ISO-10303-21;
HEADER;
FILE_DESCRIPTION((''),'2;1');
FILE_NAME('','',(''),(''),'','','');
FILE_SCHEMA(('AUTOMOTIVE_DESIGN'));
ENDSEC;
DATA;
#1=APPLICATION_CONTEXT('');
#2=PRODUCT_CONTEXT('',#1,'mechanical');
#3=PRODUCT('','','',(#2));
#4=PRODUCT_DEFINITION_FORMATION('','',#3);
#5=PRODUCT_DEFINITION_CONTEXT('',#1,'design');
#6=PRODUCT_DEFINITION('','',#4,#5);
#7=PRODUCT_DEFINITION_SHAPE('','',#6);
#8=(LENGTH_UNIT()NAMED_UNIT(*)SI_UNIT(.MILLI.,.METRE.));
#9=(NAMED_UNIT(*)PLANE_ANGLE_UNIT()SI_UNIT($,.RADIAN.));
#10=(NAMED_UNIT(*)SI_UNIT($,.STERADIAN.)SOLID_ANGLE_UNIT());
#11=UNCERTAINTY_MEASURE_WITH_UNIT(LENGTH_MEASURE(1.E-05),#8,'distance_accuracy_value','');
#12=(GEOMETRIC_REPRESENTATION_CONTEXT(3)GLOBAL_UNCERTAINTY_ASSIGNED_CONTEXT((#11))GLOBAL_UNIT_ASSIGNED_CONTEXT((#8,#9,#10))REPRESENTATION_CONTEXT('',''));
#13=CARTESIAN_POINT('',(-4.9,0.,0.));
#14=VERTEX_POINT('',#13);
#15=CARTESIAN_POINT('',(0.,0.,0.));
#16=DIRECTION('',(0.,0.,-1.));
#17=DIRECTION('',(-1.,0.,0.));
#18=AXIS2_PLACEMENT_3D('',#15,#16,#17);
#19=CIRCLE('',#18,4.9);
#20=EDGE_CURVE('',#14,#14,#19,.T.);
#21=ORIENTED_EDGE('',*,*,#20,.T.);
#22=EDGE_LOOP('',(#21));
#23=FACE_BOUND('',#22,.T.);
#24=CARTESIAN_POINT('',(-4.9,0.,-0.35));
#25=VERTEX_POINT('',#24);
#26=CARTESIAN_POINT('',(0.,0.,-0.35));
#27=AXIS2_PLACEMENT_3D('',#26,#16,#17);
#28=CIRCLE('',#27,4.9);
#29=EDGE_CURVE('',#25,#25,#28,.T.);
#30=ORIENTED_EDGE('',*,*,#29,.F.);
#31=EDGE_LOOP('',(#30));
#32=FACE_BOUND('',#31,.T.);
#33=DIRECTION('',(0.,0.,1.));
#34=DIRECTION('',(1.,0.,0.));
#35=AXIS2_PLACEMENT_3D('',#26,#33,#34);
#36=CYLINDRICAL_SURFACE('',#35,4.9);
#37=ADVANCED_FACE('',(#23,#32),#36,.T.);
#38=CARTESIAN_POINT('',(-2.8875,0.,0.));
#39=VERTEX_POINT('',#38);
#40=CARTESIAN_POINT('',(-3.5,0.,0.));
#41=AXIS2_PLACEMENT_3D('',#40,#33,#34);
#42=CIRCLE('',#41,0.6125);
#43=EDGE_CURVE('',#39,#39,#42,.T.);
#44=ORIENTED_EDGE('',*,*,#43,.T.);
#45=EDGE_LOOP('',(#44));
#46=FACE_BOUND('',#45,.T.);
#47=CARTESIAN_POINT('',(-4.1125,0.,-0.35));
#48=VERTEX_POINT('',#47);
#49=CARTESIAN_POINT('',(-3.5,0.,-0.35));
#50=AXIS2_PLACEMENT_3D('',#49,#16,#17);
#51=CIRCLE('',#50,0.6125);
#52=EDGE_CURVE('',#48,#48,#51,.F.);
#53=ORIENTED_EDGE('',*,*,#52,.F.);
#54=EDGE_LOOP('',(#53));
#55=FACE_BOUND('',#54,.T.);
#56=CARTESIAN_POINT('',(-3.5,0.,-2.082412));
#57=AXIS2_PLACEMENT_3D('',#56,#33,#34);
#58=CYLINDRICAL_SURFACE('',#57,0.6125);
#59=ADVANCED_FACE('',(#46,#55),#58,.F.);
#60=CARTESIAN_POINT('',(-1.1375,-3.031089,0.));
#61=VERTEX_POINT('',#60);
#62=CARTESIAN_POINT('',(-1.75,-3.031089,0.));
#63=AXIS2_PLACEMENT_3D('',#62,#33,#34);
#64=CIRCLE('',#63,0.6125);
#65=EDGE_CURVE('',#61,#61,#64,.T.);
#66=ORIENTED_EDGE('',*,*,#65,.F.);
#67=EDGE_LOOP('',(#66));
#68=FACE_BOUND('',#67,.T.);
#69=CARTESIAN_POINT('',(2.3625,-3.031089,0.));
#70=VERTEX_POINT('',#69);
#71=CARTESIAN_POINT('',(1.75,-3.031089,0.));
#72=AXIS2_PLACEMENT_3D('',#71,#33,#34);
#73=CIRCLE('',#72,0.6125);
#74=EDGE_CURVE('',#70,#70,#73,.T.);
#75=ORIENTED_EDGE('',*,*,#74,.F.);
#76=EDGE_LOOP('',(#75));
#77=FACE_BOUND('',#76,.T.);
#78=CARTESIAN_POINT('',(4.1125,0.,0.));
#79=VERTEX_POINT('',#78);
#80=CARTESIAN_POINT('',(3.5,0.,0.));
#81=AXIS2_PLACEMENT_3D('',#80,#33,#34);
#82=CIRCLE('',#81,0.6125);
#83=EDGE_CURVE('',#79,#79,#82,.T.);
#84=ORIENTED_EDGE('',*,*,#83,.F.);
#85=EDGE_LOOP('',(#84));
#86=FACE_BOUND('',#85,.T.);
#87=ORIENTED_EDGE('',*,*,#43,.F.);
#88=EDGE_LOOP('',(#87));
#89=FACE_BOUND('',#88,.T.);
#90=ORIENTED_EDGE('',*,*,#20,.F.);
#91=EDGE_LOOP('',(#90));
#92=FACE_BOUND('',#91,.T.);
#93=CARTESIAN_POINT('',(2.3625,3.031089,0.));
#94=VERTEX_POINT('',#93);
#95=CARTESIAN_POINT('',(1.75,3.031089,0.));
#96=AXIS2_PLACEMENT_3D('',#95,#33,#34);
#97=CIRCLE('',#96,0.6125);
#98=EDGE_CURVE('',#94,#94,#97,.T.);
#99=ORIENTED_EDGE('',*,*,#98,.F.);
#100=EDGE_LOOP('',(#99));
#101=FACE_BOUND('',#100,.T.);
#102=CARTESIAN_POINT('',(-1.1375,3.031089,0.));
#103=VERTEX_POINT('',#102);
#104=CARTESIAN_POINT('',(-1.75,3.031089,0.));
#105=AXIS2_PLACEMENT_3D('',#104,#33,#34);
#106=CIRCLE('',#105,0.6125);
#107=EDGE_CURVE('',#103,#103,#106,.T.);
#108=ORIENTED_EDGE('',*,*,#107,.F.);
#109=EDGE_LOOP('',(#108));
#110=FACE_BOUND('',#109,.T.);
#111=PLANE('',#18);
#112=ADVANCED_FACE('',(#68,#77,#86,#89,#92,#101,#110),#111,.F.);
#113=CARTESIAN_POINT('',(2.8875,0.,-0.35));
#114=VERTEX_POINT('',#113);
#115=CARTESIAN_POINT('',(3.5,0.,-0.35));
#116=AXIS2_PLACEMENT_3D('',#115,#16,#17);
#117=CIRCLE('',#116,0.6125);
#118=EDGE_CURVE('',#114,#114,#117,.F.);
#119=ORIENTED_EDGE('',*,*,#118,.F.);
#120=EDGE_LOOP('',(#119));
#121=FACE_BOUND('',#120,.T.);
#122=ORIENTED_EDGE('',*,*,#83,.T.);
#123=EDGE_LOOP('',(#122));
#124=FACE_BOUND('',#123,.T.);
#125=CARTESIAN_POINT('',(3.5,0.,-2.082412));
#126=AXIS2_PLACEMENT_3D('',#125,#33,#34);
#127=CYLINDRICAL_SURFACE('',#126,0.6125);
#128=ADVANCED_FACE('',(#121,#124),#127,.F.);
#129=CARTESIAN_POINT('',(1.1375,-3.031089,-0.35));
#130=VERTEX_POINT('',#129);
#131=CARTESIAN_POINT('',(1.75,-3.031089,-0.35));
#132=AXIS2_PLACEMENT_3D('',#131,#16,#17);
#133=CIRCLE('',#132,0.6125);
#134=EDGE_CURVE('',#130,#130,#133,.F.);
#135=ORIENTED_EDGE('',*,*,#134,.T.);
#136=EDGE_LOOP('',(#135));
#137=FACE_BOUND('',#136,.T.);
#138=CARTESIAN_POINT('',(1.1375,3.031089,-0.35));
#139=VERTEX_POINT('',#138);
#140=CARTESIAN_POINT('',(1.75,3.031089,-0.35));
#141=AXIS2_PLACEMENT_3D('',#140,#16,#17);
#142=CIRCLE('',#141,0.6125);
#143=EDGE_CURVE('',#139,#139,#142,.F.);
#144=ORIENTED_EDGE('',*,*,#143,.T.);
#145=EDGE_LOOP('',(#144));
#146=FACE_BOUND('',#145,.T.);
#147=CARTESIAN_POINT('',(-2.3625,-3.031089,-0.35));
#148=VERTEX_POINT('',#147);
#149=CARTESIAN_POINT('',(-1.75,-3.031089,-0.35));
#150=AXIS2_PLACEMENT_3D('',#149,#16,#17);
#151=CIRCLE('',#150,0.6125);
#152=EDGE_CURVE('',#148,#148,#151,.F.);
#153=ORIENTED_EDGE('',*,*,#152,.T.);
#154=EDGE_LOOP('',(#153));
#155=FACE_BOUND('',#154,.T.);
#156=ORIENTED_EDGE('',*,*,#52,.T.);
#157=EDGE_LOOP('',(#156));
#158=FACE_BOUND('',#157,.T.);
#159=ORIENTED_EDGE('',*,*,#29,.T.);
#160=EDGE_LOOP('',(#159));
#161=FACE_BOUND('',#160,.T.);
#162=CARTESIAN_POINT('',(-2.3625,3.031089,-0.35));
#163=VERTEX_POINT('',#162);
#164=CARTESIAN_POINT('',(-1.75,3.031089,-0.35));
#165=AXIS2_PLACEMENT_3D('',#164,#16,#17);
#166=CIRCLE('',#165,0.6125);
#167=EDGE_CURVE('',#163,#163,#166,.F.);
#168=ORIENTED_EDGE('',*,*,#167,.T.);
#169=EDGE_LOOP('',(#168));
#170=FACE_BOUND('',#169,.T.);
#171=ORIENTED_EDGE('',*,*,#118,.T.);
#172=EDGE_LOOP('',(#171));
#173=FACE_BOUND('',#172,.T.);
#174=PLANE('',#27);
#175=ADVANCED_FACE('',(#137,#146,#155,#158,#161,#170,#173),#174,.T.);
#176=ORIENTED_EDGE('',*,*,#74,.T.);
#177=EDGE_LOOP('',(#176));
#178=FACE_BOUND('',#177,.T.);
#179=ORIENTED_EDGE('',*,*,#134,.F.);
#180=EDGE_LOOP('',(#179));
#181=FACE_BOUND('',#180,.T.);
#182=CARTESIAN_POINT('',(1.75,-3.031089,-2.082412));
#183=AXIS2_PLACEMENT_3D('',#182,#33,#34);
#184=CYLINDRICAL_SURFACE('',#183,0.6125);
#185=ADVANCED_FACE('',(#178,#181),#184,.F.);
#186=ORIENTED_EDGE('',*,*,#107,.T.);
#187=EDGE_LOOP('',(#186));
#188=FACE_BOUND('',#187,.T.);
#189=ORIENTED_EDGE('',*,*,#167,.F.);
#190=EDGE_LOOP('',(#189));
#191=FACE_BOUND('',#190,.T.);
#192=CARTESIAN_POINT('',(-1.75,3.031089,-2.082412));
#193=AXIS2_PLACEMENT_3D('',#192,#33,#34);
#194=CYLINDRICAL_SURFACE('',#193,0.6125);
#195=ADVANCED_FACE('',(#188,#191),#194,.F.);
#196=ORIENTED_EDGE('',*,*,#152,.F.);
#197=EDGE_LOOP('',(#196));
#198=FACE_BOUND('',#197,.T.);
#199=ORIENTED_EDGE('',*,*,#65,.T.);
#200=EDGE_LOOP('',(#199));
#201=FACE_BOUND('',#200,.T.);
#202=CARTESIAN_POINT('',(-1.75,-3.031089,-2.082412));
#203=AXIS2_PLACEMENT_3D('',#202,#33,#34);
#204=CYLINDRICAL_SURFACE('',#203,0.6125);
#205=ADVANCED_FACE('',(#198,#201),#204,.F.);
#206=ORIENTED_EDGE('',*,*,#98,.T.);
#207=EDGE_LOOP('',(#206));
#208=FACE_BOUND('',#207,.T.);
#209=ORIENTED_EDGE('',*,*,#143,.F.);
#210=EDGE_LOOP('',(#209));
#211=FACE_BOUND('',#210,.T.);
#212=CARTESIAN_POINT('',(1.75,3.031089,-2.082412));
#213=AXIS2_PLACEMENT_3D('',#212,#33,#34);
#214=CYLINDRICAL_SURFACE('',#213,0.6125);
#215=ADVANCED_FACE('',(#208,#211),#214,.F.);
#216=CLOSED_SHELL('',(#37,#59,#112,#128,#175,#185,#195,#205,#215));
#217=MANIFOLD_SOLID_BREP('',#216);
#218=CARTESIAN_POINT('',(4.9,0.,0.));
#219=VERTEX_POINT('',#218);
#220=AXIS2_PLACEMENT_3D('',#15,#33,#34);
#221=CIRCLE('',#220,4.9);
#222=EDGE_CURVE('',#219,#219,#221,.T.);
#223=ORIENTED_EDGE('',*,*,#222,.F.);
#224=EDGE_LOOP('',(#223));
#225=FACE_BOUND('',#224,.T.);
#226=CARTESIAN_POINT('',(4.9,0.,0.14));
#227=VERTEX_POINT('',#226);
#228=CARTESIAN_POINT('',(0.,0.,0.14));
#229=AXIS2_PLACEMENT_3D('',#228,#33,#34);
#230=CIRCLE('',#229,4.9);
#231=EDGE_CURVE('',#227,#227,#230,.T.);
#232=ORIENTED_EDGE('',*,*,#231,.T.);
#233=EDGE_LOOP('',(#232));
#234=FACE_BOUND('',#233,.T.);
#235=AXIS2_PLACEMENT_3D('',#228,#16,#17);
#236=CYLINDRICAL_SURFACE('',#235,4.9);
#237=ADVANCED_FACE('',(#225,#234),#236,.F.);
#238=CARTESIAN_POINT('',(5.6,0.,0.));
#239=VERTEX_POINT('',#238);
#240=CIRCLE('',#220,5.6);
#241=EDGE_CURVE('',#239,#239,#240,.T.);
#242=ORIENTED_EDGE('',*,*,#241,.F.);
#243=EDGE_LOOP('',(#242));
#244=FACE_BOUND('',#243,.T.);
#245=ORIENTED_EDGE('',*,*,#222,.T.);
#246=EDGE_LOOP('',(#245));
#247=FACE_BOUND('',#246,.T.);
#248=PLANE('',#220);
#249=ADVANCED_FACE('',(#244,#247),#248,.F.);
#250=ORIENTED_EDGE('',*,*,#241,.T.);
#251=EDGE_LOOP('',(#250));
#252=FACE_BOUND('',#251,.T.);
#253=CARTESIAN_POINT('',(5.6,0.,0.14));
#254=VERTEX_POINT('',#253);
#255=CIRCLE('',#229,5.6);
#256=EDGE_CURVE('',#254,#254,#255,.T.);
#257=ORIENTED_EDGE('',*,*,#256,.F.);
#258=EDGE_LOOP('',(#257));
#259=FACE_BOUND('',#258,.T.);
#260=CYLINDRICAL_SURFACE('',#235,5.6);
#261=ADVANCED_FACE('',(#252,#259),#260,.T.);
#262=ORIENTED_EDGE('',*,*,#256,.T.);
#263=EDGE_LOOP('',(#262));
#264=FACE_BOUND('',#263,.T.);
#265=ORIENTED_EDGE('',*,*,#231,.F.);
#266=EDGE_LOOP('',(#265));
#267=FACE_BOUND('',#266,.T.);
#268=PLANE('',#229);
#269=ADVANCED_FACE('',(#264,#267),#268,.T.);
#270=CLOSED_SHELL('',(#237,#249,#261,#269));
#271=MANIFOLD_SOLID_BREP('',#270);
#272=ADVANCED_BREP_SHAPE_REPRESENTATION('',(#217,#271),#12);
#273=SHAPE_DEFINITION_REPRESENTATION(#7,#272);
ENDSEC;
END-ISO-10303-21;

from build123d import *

# Parameters (mm, degrees)
SKETCH_1_R          = 16
SKETCH_1_R_2        = 14
EXTRUDE_1_DEPTH     = 0.4
SKETCH_2_R          = 14
EXTRUDE_1_2_DEPTH   = 1
SKETCH_3_R          = 1.75
CUT_EXTRUDE_1_DEPTH = 1
SCALE_1_SCALE       = 0.35


with BuildPart() as part:
    # 草图1 → Extrude 1 (new body)
    with BuildSketch(Plane.XY):
        Circle(SKETCH_1_R)
        Circle(SKETCH_1_R_2, mode=Mode.SUBTRACT)
    extrude(amount=EXTRUDE_1_DEPTH)


with BuildPart() as body_2:
    # 草图2 → Extrude 1 2 (new body)
    with BuildSketch(Plane(origin=(0, 0, 0), x_dir=(-1, 0, 0), z_dir=(0, 0, -1))):
        Circle(SKETCH_2_R)
    extrude(amount=EXTRUDE_1_2_DEPTH)

    # 草图3 → 切除-拉伸1 (cut)
    with BuildSketch(Plane.XY):
        with Locations((10, 0)):
            Circle(SKETCH_3_R)
        with Locations((5, -8.660254038)):
            Circle(SKETCH_3_R)
        with Locations((-5, -8.660254038)):
            Circle(SKETCH_3_R)
        with Locations((-10, 0)):
            Circle(SKETCH_3_R)
        with Locations((-5, 8.660254038)):
            Circle(SKETCH_3_R)
        with Locations((5, 8.660254038)):
            Circle(SKETCH_3_R)
    extrude(amount=-CUT_EXTRUDE_1_DEPTH, mode=Mode.SUBTRACT)


with BuildPart() as part_1:
    # 缩放比例1: scaled about (0, 0, 0)
    add(part.part.scale(SCALE_1_SCALE))


with BuildPart() as body_2_1:
    # 缩放比例1: scaled about (0, 0, 0)
    add(body_2.part.scale(SCALE_1_SCALE))


solid = Compound([part_1.part, body_2_1.part])
